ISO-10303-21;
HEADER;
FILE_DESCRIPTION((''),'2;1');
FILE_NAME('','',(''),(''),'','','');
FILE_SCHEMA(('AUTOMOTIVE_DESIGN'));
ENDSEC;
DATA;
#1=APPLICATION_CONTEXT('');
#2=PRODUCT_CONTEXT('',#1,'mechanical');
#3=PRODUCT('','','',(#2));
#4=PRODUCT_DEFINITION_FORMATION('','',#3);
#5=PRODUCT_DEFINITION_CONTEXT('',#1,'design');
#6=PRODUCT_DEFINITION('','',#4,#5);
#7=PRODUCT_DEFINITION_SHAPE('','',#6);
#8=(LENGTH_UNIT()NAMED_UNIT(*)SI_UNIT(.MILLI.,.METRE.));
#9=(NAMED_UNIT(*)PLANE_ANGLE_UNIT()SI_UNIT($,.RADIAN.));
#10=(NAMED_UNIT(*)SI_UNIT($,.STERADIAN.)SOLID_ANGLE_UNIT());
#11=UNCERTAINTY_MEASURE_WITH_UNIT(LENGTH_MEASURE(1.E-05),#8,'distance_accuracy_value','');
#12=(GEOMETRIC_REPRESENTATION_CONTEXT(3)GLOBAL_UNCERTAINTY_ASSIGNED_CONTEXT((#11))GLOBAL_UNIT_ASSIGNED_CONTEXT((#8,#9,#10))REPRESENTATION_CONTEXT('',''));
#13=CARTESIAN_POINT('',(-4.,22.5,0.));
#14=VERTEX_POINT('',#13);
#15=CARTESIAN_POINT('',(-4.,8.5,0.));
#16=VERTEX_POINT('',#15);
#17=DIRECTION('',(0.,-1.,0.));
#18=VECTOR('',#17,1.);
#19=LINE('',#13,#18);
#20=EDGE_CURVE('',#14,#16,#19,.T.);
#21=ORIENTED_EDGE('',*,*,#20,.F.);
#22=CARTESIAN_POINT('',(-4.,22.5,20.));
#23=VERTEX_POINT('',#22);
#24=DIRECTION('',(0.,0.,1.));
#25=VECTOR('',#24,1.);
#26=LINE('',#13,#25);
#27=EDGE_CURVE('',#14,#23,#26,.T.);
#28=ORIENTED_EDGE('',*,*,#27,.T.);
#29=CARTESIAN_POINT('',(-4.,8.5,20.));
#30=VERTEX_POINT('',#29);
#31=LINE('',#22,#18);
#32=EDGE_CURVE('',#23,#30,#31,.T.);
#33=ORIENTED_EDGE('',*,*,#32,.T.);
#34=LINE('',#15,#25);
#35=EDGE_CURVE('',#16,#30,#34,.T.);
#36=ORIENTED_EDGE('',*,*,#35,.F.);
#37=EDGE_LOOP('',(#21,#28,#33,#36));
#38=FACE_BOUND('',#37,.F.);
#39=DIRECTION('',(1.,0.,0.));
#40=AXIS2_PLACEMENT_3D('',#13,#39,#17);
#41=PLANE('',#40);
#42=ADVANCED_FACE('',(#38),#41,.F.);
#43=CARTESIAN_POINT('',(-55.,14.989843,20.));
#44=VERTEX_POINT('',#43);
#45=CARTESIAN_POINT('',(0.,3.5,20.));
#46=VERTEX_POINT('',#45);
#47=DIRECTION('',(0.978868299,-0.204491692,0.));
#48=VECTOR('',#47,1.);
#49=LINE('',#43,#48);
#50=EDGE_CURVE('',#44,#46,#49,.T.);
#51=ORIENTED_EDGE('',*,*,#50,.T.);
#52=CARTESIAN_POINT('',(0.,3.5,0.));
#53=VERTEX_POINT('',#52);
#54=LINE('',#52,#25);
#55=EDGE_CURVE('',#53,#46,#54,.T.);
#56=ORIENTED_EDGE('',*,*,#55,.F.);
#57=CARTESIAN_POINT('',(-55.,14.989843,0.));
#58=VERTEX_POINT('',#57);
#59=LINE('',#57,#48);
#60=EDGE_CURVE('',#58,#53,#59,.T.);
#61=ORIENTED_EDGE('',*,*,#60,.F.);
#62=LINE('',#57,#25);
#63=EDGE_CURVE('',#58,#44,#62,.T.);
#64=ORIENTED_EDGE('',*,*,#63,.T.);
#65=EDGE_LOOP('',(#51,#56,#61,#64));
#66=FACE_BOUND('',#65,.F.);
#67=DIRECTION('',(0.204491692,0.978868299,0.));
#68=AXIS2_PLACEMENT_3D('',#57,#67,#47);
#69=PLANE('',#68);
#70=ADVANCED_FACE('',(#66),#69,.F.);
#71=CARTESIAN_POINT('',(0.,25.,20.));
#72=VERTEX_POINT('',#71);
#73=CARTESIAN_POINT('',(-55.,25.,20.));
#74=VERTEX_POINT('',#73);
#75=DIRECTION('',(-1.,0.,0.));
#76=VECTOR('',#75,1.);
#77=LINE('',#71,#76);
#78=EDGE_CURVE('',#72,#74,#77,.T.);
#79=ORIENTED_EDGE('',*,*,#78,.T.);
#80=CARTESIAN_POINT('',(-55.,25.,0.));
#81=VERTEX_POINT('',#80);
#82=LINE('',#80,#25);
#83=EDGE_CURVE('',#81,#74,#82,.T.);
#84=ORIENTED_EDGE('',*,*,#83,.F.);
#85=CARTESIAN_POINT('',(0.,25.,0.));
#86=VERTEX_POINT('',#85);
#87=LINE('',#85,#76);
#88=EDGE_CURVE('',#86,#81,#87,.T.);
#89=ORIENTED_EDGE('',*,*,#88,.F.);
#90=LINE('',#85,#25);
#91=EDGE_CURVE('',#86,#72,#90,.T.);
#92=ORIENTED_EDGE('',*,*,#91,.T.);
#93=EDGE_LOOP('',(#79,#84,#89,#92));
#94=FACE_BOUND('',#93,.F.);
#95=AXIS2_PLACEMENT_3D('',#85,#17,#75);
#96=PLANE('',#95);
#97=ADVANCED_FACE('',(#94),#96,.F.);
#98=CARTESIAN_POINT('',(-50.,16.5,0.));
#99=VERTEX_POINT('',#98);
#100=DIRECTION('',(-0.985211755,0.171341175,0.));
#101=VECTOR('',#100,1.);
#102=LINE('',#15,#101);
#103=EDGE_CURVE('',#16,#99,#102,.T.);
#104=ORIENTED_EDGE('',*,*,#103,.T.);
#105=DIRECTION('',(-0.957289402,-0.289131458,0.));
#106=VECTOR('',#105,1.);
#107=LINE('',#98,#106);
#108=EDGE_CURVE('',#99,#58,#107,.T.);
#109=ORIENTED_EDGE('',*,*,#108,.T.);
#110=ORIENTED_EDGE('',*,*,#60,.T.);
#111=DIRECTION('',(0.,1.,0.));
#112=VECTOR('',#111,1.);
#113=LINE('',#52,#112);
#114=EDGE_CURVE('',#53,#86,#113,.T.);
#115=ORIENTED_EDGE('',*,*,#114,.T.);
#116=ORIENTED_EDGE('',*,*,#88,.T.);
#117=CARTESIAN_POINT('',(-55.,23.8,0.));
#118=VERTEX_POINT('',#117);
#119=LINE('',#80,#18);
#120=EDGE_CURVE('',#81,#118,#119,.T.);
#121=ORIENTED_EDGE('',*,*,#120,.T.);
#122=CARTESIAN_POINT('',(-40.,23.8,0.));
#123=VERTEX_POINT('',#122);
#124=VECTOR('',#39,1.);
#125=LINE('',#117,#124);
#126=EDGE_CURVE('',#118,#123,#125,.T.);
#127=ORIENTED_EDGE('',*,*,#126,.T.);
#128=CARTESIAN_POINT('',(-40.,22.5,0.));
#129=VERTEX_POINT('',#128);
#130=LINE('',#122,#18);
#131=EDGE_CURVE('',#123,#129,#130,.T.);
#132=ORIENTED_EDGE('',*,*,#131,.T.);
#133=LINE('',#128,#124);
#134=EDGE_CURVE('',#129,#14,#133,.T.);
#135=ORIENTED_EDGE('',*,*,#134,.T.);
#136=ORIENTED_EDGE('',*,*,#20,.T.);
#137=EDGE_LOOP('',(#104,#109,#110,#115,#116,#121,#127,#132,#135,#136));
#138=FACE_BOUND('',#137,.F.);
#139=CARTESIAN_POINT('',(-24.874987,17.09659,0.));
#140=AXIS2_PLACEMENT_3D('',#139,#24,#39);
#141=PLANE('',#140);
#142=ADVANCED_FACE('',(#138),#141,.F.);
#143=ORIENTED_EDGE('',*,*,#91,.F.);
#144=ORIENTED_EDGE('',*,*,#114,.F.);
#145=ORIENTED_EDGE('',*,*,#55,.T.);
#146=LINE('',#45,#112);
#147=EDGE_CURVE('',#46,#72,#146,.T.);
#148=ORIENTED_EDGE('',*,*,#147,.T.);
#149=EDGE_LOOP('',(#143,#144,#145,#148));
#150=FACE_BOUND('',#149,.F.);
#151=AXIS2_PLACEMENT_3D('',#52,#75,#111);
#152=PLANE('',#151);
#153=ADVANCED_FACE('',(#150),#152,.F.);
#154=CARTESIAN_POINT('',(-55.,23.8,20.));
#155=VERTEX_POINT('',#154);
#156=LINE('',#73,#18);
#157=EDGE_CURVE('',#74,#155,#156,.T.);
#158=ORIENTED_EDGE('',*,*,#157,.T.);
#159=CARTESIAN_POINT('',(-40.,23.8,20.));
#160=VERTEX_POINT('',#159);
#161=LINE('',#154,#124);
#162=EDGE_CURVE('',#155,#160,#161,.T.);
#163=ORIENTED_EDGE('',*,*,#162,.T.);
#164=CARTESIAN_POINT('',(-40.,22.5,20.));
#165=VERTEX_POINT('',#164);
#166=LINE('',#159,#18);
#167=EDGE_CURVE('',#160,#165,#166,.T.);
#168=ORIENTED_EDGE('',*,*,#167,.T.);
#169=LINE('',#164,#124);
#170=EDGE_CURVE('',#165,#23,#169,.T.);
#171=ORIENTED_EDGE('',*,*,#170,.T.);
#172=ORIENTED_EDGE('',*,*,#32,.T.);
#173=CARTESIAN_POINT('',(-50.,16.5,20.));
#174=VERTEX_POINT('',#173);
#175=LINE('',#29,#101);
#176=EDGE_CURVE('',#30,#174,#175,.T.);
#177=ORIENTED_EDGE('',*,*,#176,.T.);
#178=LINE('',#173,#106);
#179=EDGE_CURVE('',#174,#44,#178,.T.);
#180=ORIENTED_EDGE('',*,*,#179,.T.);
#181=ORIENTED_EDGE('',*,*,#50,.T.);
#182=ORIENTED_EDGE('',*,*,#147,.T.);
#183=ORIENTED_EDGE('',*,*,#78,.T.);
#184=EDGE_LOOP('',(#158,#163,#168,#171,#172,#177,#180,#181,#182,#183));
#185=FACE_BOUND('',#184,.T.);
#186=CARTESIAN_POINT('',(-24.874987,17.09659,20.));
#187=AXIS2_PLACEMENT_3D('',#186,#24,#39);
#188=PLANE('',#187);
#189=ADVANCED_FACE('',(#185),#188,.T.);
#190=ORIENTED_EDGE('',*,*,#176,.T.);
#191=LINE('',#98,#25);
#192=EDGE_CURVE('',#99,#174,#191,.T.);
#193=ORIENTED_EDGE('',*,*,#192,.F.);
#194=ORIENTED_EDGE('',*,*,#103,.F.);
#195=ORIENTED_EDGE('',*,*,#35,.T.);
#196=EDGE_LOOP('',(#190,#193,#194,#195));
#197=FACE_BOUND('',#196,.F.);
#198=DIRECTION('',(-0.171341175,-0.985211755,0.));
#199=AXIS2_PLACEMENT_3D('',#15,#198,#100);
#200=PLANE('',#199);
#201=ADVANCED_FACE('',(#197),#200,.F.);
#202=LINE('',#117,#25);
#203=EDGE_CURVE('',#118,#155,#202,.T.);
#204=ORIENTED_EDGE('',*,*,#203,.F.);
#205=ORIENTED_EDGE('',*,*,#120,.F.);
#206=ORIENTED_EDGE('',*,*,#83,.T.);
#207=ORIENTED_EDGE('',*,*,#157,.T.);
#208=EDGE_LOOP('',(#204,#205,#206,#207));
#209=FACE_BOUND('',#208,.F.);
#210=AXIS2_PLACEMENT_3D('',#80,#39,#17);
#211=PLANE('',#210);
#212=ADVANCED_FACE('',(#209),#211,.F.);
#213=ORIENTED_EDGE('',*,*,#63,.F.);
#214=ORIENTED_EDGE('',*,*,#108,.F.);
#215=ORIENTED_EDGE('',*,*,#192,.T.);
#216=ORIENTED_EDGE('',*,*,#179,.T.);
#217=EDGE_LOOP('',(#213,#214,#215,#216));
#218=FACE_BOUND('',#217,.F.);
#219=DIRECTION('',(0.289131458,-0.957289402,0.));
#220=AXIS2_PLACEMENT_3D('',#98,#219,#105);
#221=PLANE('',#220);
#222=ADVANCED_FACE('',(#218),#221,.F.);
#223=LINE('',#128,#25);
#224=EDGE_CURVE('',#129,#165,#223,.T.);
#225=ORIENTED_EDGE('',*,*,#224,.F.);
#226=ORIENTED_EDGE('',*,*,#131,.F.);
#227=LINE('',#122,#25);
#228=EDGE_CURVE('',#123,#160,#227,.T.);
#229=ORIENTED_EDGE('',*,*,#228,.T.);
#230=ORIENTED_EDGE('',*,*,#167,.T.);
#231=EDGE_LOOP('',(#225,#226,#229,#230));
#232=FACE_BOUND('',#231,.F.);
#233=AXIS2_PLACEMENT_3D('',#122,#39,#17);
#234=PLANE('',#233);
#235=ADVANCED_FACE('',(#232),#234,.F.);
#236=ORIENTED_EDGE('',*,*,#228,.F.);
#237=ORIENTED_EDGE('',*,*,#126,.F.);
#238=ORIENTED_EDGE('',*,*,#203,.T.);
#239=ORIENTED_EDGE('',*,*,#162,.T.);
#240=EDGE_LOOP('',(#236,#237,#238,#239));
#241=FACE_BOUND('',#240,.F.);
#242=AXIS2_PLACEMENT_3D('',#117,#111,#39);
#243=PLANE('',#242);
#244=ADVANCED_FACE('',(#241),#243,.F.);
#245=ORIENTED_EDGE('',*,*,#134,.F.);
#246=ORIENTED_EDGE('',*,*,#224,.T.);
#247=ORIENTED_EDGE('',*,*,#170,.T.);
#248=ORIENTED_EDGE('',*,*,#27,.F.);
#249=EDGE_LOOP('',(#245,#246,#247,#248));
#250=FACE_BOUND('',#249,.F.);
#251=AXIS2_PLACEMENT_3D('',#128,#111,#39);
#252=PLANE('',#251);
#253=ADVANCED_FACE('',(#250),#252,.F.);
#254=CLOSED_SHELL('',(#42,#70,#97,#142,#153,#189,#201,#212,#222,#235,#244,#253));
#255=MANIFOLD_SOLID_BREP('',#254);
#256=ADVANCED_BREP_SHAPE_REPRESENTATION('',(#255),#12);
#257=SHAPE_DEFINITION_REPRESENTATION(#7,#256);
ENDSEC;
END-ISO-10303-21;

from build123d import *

# Parameters (mm, degrees)
PAD_DEPTH = 20


with BuildPart() as part:
    # Sketch → Pad (new body)
    with BuildSketch(Plane.XY):
        Polygon((-40, 22.5), (-4, 22.5), (-4, 8.5), (-50, 16.5), (-55, 14.989843), (0, 3.5), (0, 25), (-55, 25), (-55, 23.8), (-40, 23.8), align=None)
    extrude(amount=PAD_DEPTH)


solid = part.part
